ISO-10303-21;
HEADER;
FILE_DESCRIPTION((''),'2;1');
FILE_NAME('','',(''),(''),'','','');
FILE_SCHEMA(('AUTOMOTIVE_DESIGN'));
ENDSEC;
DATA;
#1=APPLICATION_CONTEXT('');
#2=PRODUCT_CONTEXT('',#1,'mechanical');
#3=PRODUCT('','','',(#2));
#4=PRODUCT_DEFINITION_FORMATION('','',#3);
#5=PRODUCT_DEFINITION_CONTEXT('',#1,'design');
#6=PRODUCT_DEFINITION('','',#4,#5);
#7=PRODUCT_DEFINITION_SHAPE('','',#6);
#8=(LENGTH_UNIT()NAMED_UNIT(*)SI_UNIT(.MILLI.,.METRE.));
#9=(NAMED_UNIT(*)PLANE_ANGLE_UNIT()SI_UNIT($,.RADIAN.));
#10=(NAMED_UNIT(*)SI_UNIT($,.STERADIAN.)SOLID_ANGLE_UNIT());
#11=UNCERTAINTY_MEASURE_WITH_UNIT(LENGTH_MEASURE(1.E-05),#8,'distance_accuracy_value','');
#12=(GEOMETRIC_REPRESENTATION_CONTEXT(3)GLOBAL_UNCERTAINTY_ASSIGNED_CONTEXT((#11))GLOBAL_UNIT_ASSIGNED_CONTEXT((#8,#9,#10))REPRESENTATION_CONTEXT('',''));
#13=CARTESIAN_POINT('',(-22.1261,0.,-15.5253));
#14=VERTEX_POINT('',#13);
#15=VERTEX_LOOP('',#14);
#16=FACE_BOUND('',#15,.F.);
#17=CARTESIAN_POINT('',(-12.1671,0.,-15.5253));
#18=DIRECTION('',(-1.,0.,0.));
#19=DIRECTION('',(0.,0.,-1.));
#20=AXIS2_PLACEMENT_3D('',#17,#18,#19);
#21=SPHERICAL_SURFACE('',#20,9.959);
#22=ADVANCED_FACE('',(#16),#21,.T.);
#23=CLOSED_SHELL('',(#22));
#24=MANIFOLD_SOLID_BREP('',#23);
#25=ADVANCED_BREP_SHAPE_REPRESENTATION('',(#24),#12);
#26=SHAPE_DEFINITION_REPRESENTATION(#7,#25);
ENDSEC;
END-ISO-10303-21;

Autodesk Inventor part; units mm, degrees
ref_plane "YZ Plane" through (0, 0, 0) normal (1, 0, 0) x (0, 1, 0)
ref_plane "XZ Plane" through (0, 0, 0) normal (0, 1, 0) x (-1, 0, 0)
ref_plane "XY Plane" through (0, 0, 0) normal (0, 0, 1) x (1, 0, 0)
sketch "Sketch1" plane through (0, 0, 0) normal (0, 1, 0) x (-1, 0, 0)
  arc A0 (2.2081, -15.5253) -> (22.1261, -15.5253) centre (12.1671, -15.5253) ccw
  line L0 (22.1261, -15.5253) -> (2.2081, -15.5253)
  point P0 (0, 0)
  dimension "d0" = 90
revolve "Revolution1" add sketch "Sketch1" angle 360 about axis through (-22.1261, 0, -15.5253) along (1, 0, 0)
properties part number "sphere"
